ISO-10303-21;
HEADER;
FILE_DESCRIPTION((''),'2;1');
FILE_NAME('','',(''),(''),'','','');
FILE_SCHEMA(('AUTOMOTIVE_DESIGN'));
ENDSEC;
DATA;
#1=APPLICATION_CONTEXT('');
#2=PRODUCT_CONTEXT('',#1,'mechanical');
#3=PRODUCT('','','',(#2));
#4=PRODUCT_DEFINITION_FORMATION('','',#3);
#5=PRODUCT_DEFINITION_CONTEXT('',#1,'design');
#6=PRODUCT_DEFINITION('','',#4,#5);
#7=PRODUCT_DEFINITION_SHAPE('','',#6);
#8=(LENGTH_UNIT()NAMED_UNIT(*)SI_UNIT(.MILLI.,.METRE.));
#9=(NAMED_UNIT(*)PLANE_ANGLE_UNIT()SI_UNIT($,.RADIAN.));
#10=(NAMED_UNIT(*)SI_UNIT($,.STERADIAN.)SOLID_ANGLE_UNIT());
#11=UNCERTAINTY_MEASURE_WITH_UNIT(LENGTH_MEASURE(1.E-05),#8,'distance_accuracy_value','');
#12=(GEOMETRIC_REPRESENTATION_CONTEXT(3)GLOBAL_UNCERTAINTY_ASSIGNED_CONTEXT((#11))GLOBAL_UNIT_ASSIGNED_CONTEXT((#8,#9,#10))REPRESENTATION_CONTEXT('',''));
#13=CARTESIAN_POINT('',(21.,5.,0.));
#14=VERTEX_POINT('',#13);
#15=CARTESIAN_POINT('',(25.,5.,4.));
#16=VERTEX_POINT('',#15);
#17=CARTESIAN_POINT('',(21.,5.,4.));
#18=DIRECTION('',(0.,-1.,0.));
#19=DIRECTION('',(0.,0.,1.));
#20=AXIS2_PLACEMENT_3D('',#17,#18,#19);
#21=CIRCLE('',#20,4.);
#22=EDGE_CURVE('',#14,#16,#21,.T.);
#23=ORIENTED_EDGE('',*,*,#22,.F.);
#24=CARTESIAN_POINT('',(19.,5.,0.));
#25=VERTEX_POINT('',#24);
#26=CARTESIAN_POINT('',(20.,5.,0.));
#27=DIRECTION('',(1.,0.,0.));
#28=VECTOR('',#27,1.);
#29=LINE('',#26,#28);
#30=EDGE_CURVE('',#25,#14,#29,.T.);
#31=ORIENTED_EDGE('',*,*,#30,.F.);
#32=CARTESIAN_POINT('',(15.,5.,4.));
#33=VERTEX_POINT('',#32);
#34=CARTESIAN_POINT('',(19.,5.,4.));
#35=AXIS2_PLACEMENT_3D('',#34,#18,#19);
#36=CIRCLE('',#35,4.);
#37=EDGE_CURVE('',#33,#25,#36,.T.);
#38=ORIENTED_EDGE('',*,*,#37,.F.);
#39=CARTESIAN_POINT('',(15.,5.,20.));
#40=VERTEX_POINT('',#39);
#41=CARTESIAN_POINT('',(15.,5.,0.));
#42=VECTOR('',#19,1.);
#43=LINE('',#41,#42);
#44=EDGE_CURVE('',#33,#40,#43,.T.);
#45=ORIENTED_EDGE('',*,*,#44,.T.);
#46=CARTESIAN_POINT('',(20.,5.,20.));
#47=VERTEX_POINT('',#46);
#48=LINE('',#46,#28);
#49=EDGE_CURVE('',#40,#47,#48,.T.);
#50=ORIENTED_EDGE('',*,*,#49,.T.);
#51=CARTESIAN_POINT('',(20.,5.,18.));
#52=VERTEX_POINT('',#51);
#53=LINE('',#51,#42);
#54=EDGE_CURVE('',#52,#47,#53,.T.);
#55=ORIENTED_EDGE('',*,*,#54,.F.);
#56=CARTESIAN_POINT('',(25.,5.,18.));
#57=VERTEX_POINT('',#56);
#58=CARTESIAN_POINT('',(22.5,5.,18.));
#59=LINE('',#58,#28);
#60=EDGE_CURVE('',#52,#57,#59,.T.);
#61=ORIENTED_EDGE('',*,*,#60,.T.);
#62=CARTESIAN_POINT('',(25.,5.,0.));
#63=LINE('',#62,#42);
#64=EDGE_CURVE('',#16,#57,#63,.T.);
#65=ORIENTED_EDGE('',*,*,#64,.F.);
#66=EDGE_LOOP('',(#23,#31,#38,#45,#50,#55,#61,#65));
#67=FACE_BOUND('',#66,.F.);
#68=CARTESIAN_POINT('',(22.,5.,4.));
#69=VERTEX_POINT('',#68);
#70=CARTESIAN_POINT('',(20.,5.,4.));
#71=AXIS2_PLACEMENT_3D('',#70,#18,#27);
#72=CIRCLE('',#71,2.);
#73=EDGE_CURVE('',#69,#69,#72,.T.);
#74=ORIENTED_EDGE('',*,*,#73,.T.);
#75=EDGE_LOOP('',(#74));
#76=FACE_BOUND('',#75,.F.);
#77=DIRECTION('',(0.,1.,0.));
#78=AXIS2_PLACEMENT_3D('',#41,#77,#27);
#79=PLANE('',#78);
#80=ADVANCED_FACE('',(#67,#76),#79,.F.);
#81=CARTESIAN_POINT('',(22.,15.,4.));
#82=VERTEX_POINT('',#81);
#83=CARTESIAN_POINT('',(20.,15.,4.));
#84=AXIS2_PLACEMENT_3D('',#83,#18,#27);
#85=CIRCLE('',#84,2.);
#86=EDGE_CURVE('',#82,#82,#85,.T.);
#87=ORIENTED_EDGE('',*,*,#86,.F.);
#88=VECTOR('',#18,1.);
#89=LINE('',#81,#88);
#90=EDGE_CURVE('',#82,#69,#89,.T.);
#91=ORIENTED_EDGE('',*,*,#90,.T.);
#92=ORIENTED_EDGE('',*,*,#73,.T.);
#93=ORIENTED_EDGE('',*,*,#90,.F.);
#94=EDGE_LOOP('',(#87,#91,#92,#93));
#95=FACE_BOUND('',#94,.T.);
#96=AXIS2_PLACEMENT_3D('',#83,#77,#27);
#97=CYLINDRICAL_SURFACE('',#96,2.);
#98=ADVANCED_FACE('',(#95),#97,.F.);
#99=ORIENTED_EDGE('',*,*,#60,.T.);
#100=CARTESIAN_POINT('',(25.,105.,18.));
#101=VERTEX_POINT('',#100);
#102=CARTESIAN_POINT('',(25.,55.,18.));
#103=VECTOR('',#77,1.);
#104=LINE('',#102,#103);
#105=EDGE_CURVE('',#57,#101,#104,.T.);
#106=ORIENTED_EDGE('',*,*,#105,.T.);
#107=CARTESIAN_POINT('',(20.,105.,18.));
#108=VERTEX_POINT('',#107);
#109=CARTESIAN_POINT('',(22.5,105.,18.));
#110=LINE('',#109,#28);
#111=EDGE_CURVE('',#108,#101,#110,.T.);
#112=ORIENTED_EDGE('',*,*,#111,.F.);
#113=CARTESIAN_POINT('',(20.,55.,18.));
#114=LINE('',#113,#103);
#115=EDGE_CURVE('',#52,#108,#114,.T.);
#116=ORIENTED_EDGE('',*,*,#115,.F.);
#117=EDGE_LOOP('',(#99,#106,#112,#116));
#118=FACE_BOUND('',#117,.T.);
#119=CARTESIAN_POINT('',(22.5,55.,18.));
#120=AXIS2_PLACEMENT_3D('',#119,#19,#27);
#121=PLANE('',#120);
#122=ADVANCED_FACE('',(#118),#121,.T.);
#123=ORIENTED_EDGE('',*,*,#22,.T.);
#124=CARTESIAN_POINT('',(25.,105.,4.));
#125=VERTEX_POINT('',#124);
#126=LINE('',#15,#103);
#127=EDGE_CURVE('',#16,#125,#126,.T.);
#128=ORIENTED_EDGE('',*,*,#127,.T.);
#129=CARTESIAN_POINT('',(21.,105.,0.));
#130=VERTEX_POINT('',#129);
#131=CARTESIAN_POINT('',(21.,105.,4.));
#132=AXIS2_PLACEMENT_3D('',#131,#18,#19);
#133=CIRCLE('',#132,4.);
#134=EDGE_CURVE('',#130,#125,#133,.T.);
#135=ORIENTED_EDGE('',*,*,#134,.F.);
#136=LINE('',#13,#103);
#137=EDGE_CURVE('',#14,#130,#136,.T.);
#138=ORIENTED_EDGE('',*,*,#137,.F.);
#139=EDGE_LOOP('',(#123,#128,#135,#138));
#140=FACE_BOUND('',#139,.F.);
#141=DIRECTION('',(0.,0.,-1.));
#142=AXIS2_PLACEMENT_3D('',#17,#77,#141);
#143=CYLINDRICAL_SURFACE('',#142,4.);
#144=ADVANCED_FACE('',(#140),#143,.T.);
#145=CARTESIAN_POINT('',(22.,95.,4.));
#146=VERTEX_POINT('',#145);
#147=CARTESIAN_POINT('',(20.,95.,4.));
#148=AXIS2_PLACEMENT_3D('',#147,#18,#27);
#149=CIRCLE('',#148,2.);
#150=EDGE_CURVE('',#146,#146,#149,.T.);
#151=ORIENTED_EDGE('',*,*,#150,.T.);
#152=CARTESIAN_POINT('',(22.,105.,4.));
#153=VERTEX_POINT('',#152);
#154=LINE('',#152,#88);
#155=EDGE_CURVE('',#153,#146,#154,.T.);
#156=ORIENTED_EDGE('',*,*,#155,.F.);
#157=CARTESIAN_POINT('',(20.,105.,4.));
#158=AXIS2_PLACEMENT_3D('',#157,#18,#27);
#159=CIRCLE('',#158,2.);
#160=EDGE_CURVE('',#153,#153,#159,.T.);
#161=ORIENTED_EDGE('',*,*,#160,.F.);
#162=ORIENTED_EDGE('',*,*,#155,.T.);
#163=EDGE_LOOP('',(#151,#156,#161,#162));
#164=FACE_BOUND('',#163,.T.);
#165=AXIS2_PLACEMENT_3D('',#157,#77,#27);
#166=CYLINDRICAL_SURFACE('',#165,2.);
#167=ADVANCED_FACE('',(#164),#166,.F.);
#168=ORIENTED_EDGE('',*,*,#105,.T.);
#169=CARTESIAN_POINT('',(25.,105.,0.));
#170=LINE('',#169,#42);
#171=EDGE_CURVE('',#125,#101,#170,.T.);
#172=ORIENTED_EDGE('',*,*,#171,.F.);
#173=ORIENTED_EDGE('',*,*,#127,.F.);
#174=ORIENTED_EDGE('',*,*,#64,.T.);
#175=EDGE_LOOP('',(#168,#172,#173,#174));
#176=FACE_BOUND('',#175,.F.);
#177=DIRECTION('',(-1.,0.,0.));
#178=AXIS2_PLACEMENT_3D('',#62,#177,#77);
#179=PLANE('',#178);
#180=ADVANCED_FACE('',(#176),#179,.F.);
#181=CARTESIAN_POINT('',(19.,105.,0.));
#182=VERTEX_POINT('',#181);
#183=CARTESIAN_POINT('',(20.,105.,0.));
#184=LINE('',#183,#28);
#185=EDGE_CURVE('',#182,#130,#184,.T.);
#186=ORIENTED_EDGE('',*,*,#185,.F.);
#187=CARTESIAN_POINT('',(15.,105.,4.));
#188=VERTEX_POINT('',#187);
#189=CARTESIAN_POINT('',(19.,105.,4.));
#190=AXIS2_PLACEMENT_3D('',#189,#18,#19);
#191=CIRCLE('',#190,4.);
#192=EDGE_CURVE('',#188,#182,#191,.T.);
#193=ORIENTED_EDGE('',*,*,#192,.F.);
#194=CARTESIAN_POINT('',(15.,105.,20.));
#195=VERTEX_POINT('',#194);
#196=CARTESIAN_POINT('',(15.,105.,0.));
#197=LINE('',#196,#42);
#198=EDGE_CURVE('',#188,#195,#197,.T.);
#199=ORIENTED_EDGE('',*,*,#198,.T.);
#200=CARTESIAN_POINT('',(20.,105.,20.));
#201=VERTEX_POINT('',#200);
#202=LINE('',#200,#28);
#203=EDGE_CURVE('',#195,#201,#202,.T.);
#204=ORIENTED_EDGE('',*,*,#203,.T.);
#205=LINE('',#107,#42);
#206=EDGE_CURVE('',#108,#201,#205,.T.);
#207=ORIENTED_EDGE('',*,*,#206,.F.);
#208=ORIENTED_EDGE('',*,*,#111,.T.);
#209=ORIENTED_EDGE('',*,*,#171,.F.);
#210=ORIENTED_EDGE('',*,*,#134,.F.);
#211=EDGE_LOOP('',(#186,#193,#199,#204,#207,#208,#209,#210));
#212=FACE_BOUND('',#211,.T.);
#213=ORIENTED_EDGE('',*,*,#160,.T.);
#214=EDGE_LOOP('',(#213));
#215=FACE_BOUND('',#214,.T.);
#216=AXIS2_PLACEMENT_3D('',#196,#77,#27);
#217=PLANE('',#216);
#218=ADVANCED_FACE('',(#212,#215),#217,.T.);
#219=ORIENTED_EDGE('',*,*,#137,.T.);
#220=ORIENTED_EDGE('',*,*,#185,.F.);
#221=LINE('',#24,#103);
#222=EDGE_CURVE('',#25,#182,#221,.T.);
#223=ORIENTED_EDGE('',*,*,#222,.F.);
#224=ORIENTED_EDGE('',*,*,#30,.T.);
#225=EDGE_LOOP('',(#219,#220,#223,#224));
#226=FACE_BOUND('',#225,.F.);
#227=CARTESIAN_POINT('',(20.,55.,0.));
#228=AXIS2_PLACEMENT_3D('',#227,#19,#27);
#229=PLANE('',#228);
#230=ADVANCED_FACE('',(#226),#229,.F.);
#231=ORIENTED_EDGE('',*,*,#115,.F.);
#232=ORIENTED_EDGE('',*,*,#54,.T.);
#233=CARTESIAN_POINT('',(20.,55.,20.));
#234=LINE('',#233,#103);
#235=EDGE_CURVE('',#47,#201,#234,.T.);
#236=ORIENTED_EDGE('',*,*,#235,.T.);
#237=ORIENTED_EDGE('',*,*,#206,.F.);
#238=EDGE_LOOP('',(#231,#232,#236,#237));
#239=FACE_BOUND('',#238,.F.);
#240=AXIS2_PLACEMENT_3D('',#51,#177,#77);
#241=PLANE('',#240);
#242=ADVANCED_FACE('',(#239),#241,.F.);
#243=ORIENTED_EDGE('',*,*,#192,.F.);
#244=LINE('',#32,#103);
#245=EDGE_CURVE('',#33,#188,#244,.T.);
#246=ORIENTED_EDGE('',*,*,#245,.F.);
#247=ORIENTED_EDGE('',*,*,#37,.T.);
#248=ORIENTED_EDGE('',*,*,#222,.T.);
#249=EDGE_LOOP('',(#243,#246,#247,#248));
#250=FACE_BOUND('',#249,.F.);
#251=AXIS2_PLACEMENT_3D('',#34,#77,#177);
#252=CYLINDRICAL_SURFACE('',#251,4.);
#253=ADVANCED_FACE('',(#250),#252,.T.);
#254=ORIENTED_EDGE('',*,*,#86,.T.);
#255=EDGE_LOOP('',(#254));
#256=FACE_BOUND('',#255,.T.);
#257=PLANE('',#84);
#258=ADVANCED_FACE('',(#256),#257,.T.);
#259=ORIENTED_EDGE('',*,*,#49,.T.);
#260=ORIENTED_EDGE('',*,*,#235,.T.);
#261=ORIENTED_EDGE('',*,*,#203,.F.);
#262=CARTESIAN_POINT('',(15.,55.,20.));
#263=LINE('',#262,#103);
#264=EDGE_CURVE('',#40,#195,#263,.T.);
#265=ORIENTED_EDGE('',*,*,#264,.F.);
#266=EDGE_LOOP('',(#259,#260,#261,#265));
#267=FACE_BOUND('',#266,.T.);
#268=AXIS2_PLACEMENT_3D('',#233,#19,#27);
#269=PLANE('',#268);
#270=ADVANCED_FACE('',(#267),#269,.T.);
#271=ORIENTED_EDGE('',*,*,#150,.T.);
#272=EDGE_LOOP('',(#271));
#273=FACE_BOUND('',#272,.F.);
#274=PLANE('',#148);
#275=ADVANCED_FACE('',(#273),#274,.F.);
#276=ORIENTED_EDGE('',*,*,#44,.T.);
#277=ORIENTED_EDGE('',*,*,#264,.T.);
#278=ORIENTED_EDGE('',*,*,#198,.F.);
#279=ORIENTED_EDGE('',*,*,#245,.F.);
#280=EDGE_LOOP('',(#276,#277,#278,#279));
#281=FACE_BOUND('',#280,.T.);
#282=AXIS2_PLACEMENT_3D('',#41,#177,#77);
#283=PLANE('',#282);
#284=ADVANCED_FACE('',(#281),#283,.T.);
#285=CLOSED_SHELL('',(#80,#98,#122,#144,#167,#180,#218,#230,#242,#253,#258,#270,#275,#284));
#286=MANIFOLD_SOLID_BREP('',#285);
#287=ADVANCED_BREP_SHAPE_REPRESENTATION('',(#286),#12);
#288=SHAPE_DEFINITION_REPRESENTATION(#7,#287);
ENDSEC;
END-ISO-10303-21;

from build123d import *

# Parameters (mm, degrees)
CYLINDER003_R     = 2
CYLINDER003_DEPTH = 10
CYLINDER002_R     = 2
CYLINDER002_DEPTH = 10
BOX003_W          = 5
BOX003_H          = 100
BOX003_DEPTH      = 2
BOX_W             = 10
BOX_H             = 100
BOX_DEPTH         = 20
FILLET_R          = 4
FILLET001_R       = 4


with BuildPart() as m3threadhole001:
    # Cylinder003 → Cylinder003 (new body)
    with BuildSketch(Plane(origin=(20, 105, 4), x_dir=(1, 0, 0), z_dir=(0, -1, 0))):
        Circle(CYLINDER003_R)
    extrude(amount=CYLINDER003_DEPTH)


with BuildPart() as fusion001:
    # Cylinder002 → Cylinder002 (new body)
    with BuildSketch(Plane(origin=(20, 15, 4), x_dir=(1, 0, 0), z_dir=(0, -1, 0))):
        Circle(CYLINDER002_R)
    extrude(amount=CYLINDER002_DEPTH)

    # Fusion001: union M3ThreadHole001
    add(m3threadhole001.part)


with BuildPart() as clampstep:
    # Box003 → Box003 (new body)
    with BuildSketch(Plane(origin=(20, 5, 18), x_dir=(1, 0, 0), z_dir=(0, 0, 1))):
        with Locations((2.5, 50)):
            Rectangle(BOX003_W, BOX003_H)
    extrude(amount=BOX003_DEPTH)


with BuildPart() as clampwithrounding:
    # Box → Box (new body)
    with BuildSketch(Plane(origin=(15, 5, 0), x_dir=(1, 0, 0), z_dir=(0, 0, 1))):
        with Locations((5, 50)):
            Rectangle(BOX_W, BOX_H)
    extrude(amount=BOX_DEPTH)

    # Cut002: cut ClampStep
    add(clampstep.part, mode=Mode.SUBTRACT)

    # Cut003: cut Fusion001
    add(fusion001.part, mode=Mode.SUBTRACT)

    # Fillet
    fillet_edges = [clampwithrounding.edges().sort_by_distance(p)[0] for p in [
        (15, 55, 0),
    ]]
    fillet(fillet_edges, radius=FILLET_R)

    # Fillet001
    fillet001_edges = [clampwithrounding.edges().sort_by_distance(p)[0] for p in [
        (25, 55, 0),
    ]]
    fillet(fillet001_edges, radius=FILLET001_R)


solid = clampwithrounding.part
